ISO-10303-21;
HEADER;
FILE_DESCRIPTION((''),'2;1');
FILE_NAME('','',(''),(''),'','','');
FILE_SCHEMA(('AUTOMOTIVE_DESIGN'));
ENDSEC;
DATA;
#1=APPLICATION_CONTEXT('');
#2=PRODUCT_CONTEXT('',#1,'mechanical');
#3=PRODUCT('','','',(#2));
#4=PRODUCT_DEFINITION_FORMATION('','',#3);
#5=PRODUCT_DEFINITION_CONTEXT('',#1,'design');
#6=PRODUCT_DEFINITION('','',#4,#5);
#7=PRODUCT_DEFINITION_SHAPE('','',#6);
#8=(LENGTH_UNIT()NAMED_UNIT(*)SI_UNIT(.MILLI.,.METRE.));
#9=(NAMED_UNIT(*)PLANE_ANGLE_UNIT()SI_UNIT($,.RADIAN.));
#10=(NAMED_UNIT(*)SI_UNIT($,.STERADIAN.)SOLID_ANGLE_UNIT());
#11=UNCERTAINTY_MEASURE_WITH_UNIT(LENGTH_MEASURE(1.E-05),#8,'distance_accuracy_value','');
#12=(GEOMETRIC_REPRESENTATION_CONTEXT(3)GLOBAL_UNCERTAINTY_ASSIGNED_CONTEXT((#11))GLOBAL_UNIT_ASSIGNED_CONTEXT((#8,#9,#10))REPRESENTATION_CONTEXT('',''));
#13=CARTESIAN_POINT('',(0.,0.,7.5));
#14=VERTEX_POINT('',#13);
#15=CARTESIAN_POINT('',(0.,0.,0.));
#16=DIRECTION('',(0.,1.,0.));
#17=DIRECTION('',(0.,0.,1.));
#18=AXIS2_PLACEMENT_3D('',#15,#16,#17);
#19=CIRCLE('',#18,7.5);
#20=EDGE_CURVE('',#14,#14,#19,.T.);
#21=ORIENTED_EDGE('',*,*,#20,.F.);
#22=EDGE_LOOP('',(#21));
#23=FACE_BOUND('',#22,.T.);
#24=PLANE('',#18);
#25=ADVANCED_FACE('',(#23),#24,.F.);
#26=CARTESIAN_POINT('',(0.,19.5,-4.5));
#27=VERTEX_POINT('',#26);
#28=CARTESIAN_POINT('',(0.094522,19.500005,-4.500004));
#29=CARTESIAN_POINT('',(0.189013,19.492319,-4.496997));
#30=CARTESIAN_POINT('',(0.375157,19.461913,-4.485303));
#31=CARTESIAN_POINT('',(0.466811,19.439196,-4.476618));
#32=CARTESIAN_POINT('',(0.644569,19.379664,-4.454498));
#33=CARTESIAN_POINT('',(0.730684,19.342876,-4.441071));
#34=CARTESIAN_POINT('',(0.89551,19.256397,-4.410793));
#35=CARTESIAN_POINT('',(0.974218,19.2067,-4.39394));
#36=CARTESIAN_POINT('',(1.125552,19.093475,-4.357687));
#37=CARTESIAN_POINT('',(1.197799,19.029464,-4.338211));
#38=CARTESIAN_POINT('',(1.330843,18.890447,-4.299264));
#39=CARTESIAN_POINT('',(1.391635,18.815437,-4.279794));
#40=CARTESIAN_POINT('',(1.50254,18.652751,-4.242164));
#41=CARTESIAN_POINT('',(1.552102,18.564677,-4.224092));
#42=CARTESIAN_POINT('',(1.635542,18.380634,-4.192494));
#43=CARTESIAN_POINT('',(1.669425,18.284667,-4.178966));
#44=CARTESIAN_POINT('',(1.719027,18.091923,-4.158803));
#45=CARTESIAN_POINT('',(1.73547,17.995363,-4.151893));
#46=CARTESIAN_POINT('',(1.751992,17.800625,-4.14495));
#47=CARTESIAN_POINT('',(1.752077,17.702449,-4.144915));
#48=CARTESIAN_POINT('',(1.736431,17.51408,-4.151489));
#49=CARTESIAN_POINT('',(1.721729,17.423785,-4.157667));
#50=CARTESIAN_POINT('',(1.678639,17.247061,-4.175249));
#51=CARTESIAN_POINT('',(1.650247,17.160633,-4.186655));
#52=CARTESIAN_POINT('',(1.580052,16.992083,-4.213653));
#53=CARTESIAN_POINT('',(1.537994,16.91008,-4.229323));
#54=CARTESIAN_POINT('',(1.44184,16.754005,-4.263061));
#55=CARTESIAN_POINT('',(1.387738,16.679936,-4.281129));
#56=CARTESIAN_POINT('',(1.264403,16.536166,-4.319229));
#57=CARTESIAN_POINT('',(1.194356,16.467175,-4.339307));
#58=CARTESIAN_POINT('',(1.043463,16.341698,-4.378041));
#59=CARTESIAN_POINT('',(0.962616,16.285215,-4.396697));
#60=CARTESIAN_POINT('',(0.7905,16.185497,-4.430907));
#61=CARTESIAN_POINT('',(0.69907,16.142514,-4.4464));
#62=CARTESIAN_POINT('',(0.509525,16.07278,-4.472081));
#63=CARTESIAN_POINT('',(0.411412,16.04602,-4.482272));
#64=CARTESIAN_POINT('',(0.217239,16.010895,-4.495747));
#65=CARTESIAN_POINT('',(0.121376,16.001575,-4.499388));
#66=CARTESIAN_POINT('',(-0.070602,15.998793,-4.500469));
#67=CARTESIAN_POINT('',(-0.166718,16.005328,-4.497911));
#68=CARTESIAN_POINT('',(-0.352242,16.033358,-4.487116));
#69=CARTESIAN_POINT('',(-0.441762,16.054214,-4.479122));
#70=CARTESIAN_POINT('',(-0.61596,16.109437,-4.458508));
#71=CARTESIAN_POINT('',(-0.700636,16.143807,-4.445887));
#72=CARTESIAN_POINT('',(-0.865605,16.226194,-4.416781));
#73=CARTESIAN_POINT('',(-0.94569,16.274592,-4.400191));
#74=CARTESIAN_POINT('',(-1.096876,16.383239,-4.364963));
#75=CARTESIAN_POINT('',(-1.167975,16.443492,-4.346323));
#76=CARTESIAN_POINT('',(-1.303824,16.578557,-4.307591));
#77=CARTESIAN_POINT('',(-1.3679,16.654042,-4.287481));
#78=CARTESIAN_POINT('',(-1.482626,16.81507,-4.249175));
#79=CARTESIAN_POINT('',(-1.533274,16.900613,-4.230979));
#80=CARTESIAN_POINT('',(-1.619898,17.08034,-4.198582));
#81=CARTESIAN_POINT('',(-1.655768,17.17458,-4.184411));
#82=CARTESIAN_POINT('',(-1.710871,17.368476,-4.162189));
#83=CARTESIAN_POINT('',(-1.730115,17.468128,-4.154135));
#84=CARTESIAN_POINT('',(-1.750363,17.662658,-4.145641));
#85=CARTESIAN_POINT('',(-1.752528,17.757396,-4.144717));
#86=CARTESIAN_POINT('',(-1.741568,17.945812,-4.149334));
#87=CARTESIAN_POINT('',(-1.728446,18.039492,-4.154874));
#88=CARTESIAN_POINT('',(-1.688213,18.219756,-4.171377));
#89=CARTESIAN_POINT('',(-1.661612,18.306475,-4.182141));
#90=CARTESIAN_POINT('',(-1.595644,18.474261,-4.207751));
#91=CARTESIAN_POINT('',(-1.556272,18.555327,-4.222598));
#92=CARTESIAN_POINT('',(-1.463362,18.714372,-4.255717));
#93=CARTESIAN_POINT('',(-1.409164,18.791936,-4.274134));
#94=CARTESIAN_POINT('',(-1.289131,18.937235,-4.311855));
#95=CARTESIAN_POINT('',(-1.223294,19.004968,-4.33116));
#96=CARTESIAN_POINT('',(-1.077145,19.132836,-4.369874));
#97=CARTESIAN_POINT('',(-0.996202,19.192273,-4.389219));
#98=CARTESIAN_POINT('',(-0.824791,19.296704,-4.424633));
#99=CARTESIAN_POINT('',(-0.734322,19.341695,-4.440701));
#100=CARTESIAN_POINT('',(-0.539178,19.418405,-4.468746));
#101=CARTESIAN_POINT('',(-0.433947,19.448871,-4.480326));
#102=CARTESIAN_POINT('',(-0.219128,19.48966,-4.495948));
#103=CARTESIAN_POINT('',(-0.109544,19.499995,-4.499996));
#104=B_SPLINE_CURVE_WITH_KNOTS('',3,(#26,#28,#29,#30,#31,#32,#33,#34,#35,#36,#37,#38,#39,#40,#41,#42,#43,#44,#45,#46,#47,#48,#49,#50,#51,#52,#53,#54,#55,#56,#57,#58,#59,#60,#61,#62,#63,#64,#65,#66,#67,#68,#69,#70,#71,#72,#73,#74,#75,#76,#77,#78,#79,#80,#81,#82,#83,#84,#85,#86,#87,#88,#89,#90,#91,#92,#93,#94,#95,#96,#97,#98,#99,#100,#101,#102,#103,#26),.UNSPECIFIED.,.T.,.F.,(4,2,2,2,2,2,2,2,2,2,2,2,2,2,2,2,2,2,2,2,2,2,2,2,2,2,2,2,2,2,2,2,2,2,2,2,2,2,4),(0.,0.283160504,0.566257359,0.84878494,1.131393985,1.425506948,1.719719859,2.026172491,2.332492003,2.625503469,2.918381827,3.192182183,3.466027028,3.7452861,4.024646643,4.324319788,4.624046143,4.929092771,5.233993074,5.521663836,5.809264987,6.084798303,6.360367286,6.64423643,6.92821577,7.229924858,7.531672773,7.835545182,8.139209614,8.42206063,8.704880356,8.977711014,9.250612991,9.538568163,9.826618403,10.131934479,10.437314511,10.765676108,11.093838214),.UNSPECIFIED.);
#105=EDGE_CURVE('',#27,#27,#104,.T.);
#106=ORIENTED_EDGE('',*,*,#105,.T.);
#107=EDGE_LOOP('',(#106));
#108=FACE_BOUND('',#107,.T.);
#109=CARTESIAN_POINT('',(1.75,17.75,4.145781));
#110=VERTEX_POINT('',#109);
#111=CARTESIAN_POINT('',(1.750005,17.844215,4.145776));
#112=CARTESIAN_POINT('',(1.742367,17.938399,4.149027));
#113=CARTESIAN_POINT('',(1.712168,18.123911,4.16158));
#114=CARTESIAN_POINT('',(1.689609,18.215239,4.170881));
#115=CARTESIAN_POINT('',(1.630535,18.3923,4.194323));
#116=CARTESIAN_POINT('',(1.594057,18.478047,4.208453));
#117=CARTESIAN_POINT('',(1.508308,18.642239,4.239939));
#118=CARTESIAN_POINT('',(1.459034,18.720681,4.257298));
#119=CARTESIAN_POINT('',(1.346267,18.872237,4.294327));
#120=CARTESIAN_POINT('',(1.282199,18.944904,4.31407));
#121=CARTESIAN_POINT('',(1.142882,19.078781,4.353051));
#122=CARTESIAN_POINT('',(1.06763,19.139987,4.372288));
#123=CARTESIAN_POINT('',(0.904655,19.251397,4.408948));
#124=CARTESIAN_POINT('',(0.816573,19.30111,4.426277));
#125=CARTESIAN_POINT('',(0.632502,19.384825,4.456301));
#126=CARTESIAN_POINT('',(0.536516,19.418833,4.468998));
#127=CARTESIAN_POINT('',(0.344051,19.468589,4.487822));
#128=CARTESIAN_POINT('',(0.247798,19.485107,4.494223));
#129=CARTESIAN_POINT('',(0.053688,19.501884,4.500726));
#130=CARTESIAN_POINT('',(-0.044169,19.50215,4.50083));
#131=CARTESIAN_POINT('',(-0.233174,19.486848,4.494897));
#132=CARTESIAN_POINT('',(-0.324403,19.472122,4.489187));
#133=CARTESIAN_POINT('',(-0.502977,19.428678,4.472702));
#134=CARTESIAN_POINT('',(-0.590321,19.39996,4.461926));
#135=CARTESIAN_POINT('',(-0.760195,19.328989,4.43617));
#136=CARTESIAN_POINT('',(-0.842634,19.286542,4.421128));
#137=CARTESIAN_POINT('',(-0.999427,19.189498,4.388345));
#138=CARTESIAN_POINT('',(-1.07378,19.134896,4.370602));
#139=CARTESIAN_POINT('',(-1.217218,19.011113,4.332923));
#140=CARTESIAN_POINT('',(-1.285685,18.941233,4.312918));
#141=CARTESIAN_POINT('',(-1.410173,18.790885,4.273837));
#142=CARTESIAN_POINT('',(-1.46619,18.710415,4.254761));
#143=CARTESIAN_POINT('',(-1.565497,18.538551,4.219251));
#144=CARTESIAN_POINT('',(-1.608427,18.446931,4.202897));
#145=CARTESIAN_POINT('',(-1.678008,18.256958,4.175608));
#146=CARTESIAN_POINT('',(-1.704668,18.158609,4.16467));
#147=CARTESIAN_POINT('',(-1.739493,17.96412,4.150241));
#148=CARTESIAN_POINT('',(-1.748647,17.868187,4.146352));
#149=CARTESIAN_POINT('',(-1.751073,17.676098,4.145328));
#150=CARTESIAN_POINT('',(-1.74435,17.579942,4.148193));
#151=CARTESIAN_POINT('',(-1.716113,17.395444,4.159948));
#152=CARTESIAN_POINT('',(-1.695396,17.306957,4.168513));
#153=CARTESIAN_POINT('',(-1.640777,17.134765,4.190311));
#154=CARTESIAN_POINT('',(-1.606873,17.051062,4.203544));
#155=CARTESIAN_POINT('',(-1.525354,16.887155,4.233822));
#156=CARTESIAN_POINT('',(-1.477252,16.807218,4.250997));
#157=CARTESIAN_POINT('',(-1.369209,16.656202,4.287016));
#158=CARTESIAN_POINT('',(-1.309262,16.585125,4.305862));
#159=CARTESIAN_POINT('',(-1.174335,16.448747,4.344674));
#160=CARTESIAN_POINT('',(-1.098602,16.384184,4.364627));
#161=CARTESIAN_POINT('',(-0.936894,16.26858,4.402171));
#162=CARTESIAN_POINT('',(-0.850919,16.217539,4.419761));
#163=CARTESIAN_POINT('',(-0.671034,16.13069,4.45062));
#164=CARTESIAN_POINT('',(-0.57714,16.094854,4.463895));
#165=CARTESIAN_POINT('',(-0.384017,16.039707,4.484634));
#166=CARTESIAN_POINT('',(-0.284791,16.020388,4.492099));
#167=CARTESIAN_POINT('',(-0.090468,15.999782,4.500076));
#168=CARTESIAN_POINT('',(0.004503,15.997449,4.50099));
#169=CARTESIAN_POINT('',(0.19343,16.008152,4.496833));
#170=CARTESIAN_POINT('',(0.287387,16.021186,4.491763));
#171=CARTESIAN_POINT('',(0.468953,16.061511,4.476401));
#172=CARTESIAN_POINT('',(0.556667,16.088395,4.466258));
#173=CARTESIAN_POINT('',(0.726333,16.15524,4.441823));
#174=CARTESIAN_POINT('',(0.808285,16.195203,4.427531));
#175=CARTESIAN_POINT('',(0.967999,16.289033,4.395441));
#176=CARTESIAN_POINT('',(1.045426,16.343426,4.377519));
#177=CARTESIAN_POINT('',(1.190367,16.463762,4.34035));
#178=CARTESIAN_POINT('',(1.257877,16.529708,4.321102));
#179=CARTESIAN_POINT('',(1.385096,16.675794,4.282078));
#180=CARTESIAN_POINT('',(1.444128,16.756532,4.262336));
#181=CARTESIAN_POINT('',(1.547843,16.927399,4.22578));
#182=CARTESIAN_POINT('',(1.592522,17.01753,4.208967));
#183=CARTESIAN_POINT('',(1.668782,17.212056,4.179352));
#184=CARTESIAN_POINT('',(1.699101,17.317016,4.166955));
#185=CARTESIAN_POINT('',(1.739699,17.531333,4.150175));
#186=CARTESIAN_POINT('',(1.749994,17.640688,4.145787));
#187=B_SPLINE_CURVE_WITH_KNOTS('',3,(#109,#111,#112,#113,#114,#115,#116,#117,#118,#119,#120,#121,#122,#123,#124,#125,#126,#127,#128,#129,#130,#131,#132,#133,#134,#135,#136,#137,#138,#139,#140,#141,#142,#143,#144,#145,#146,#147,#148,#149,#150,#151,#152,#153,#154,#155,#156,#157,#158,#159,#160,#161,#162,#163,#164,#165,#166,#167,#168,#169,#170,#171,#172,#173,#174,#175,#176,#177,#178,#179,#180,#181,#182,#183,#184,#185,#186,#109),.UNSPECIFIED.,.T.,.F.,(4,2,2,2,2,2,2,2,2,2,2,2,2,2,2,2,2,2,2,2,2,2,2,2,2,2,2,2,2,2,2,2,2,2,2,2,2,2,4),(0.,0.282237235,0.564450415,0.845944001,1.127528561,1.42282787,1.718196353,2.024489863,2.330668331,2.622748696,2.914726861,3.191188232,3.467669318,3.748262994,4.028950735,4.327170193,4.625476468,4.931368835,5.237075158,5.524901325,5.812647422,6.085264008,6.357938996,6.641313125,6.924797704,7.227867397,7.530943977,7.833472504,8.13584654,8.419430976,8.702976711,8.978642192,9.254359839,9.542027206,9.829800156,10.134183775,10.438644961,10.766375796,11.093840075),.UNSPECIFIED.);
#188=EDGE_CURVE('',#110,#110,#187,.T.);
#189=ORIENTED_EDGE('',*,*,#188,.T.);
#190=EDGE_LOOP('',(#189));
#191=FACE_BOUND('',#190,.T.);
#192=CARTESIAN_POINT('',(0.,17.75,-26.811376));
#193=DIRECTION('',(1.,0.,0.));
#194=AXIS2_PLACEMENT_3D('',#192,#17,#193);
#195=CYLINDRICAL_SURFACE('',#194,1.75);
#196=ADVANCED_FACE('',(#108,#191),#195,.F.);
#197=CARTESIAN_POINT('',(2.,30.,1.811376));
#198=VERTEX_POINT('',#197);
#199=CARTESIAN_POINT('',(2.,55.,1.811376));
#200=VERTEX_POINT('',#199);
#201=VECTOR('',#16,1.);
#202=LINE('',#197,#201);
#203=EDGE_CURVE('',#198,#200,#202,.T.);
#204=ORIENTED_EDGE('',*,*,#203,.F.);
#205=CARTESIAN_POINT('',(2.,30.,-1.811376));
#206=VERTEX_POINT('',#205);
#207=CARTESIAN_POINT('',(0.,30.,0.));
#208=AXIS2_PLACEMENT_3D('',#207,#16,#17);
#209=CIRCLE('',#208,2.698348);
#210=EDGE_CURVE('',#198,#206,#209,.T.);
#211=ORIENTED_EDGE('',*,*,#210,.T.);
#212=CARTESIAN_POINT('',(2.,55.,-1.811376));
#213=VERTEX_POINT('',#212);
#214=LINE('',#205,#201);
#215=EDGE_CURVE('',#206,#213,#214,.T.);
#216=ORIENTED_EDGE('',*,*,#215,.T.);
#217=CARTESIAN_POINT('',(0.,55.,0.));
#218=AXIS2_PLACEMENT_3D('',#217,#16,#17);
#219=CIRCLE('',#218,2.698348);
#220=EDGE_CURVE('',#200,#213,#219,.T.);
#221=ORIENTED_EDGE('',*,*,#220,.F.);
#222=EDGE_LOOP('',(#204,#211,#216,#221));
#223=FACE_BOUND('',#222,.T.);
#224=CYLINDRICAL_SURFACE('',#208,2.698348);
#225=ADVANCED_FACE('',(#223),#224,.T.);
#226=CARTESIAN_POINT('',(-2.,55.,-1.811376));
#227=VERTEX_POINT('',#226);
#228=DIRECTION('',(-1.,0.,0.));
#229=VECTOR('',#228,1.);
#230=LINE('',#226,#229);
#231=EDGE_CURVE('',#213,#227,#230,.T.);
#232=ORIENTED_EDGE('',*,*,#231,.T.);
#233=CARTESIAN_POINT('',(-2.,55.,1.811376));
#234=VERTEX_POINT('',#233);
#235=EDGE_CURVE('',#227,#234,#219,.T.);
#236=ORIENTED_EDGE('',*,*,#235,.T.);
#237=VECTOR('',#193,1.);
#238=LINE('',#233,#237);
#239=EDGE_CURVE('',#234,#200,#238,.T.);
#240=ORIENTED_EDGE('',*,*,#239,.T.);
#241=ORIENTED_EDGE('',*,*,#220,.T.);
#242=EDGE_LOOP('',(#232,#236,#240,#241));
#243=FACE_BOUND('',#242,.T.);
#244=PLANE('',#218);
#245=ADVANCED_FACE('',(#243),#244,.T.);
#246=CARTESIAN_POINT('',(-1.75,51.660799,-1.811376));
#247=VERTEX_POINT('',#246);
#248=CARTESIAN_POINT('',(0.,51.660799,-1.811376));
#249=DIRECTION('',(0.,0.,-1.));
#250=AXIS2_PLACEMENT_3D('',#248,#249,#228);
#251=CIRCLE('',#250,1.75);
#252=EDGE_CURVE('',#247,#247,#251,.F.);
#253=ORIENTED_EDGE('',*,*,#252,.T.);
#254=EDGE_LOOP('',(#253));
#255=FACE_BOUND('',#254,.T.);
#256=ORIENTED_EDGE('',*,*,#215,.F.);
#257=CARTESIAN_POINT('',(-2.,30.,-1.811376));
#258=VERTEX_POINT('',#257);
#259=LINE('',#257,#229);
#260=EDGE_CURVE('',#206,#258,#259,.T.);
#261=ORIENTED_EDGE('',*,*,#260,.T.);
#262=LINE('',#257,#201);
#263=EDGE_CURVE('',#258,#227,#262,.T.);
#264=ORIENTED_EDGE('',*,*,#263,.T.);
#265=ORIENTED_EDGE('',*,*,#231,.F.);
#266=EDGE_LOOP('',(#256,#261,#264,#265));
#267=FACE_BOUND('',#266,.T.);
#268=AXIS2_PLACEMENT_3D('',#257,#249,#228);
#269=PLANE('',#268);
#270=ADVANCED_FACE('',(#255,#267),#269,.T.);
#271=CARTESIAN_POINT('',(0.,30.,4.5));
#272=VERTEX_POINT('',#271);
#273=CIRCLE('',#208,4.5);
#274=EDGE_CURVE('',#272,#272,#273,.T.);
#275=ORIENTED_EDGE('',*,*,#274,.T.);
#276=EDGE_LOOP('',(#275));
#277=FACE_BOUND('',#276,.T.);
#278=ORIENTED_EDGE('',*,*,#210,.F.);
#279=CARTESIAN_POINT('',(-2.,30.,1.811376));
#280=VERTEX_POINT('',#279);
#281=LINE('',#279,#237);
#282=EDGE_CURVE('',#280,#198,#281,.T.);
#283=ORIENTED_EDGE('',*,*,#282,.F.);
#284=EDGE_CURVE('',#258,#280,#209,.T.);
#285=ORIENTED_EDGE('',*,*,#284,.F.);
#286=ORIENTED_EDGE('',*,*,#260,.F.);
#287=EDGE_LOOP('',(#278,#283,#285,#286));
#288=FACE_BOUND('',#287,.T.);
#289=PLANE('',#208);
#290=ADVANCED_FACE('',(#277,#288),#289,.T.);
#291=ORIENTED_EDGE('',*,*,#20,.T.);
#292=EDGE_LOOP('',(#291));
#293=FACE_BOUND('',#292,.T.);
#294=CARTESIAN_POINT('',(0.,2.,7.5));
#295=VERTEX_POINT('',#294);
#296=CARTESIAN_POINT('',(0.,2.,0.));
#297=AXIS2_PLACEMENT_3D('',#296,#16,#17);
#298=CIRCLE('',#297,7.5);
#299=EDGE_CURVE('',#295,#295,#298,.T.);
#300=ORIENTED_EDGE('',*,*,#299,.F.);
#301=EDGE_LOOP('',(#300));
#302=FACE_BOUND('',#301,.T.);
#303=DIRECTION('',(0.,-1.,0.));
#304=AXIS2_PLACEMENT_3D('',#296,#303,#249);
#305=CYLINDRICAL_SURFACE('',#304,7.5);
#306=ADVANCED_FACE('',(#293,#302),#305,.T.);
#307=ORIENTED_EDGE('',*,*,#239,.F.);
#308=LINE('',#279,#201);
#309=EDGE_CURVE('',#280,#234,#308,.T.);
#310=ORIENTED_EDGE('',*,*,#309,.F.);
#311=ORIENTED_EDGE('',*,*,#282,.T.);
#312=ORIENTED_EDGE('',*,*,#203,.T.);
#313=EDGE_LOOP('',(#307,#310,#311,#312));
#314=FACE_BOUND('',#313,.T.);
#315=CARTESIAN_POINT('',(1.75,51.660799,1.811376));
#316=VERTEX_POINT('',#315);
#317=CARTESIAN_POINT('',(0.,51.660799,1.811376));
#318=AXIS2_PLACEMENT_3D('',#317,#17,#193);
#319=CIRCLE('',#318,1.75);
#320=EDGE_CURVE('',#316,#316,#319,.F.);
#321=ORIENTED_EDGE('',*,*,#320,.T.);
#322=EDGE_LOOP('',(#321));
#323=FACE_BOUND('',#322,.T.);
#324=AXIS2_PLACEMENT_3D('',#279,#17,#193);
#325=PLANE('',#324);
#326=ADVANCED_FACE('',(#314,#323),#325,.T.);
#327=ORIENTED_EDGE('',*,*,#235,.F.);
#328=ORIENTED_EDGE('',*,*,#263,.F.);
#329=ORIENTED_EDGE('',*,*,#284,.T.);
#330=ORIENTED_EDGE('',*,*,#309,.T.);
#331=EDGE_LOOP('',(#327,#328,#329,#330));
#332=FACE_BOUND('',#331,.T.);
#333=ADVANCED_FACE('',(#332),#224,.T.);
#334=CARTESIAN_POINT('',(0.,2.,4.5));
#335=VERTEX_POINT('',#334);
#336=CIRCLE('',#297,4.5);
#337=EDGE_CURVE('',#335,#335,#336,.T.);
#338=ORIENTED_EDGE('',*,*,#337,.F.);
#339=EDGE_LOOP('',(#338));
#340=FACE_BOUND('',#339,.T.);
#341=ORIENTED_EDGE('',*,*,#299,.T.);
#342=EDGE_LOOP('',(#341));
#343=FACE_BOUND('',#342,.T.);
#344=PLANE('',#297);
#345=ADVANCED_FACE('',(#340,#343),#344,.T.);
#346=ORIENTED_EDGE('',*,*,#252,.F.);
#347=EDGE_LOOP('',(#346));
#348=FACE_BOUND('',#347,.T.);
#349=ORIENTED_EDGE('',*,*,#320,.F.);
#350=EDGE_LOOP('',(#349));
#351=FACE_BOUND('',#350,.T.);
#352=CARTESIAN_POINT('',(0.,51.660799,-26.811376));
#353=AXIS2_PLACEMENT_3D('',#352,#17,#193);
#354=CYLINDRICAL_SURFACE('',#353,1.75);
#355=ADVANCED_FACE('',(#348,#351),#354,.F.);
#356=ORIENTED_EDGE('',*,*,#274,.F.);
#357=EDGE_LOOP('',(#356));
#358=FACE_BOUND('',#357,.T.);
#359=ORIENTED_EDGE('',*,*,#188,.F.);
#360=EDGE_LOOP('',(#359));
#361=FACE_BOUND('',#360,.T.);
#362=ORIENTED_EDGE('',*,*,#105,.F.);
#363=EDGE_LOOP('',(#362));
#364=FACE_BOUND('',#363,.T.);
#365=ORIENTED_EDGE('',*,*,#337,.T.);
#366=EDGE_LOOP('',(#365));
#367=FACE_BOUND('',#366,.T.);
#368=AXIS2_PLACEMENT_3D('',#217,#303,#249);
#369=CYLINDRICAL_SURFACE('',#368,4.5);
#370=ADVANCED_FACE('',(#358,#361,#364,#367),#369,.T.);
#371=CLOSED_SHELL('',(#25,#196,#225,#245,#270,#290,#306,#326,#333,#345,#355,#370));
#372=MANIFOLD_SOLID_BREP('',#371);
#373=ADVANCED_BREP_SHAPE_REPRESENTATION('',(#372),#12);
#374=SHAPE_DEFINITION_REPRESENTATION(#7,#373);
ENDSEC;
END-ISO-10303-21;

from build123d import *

# Parameters (mm, degrees)
SKETCH1_R               = 7.5
SKETCH1_R_2             = 4.5
BOSS_EXTRUDE1_DEPTH     = 2
SKETCH1_2_R             = 4.5
BOSS_EXTRUDE2_DEPTH     = 55
CUT_EXTRUDE1_START      = -25
SKETCH2_R               = 4.5
CUT_EXTRUDE1_DEPTH      = 25
CUT_EXTRUDE2_DEPTH      = 25
CUT_EXTRUDE2_DEPTH_BACK = 25
SKETCH3_R               = 1.75


with BuildPart() as part:
    # Sketch1 → Boss-Extrude1 (new body)
    with BuildSketch(Plane(origin=(0, 0, 0), x_dir=(1, 0, 0), z_dir=(0, 1, 0))):
        Circle(SKETCH1_R)
        Circle(SKETCH1_R_2, mode=Mode.SUBTRACT)
    extrude(amount=BOSS_EXTRUDE1_DEPTH)

    # Sketch1<2> → Boss-Extrude2 (add)
    with BuildSketch(Plane(origin=(0, 0, 0), x_dir=(1, 0, 0), z_dir=(0, 1, 0))):
        Circle(SKETCH1_2_R)
    extrude(amount=BOSS_EXTRUDE2_DEPTH)

    # Sketch2 → Cut-Extrude1 (cut)
    with BuildSketch(Plane(origin=(0, 55, 0), x_dir=(1, 0, 0), z_dir=(0, 1, 0)).offset(CUT_EXTRUDE1_START)):
        Circle(SKETCH2_R)
        with BuildLine():
            Line((-2, 1.811376185), (2, 1.811376185))
            ThreePointArc((2, 1.811376185), (2.698348325, 0), (2, -1.811376185))
            Line((2, -1.811376185), (-2, -1.811376185))
            ThreePointArc((-2, -1.811376185), (-2.698348325, 0), (-2, 1.811376185))
        make_face(mode=Mode.SUBTRACT)
    extrude(amount=CUT_EXTRUDE1_DEPTH, mode=Mode.SUBTRACT)

    # Sketch3 → Cut-Extrude2 (cut, two sides: drawn at the far end of the back side and taken through both)
    with BuildSketch(Plane(origin=(0, 0, -1.811376185), x_dir=(-1, 0, 0), z_dir=(0, 0, -1)).offset(-CUT_EXTRUDE2_DEPTH_BACK)):
        with Locations((0, 51.660798888)):
            Circle(SKETCH3_R)
        with Locations((0, 17.75)):
            Circle(SKETCH3_R)
    extrude(amount=CUT_EXTRUDE2_DEPTH + CUT_EXTRUDE2_DEPTH_BACK, mode=Mode.SUBTRACT)


solid = part.part
